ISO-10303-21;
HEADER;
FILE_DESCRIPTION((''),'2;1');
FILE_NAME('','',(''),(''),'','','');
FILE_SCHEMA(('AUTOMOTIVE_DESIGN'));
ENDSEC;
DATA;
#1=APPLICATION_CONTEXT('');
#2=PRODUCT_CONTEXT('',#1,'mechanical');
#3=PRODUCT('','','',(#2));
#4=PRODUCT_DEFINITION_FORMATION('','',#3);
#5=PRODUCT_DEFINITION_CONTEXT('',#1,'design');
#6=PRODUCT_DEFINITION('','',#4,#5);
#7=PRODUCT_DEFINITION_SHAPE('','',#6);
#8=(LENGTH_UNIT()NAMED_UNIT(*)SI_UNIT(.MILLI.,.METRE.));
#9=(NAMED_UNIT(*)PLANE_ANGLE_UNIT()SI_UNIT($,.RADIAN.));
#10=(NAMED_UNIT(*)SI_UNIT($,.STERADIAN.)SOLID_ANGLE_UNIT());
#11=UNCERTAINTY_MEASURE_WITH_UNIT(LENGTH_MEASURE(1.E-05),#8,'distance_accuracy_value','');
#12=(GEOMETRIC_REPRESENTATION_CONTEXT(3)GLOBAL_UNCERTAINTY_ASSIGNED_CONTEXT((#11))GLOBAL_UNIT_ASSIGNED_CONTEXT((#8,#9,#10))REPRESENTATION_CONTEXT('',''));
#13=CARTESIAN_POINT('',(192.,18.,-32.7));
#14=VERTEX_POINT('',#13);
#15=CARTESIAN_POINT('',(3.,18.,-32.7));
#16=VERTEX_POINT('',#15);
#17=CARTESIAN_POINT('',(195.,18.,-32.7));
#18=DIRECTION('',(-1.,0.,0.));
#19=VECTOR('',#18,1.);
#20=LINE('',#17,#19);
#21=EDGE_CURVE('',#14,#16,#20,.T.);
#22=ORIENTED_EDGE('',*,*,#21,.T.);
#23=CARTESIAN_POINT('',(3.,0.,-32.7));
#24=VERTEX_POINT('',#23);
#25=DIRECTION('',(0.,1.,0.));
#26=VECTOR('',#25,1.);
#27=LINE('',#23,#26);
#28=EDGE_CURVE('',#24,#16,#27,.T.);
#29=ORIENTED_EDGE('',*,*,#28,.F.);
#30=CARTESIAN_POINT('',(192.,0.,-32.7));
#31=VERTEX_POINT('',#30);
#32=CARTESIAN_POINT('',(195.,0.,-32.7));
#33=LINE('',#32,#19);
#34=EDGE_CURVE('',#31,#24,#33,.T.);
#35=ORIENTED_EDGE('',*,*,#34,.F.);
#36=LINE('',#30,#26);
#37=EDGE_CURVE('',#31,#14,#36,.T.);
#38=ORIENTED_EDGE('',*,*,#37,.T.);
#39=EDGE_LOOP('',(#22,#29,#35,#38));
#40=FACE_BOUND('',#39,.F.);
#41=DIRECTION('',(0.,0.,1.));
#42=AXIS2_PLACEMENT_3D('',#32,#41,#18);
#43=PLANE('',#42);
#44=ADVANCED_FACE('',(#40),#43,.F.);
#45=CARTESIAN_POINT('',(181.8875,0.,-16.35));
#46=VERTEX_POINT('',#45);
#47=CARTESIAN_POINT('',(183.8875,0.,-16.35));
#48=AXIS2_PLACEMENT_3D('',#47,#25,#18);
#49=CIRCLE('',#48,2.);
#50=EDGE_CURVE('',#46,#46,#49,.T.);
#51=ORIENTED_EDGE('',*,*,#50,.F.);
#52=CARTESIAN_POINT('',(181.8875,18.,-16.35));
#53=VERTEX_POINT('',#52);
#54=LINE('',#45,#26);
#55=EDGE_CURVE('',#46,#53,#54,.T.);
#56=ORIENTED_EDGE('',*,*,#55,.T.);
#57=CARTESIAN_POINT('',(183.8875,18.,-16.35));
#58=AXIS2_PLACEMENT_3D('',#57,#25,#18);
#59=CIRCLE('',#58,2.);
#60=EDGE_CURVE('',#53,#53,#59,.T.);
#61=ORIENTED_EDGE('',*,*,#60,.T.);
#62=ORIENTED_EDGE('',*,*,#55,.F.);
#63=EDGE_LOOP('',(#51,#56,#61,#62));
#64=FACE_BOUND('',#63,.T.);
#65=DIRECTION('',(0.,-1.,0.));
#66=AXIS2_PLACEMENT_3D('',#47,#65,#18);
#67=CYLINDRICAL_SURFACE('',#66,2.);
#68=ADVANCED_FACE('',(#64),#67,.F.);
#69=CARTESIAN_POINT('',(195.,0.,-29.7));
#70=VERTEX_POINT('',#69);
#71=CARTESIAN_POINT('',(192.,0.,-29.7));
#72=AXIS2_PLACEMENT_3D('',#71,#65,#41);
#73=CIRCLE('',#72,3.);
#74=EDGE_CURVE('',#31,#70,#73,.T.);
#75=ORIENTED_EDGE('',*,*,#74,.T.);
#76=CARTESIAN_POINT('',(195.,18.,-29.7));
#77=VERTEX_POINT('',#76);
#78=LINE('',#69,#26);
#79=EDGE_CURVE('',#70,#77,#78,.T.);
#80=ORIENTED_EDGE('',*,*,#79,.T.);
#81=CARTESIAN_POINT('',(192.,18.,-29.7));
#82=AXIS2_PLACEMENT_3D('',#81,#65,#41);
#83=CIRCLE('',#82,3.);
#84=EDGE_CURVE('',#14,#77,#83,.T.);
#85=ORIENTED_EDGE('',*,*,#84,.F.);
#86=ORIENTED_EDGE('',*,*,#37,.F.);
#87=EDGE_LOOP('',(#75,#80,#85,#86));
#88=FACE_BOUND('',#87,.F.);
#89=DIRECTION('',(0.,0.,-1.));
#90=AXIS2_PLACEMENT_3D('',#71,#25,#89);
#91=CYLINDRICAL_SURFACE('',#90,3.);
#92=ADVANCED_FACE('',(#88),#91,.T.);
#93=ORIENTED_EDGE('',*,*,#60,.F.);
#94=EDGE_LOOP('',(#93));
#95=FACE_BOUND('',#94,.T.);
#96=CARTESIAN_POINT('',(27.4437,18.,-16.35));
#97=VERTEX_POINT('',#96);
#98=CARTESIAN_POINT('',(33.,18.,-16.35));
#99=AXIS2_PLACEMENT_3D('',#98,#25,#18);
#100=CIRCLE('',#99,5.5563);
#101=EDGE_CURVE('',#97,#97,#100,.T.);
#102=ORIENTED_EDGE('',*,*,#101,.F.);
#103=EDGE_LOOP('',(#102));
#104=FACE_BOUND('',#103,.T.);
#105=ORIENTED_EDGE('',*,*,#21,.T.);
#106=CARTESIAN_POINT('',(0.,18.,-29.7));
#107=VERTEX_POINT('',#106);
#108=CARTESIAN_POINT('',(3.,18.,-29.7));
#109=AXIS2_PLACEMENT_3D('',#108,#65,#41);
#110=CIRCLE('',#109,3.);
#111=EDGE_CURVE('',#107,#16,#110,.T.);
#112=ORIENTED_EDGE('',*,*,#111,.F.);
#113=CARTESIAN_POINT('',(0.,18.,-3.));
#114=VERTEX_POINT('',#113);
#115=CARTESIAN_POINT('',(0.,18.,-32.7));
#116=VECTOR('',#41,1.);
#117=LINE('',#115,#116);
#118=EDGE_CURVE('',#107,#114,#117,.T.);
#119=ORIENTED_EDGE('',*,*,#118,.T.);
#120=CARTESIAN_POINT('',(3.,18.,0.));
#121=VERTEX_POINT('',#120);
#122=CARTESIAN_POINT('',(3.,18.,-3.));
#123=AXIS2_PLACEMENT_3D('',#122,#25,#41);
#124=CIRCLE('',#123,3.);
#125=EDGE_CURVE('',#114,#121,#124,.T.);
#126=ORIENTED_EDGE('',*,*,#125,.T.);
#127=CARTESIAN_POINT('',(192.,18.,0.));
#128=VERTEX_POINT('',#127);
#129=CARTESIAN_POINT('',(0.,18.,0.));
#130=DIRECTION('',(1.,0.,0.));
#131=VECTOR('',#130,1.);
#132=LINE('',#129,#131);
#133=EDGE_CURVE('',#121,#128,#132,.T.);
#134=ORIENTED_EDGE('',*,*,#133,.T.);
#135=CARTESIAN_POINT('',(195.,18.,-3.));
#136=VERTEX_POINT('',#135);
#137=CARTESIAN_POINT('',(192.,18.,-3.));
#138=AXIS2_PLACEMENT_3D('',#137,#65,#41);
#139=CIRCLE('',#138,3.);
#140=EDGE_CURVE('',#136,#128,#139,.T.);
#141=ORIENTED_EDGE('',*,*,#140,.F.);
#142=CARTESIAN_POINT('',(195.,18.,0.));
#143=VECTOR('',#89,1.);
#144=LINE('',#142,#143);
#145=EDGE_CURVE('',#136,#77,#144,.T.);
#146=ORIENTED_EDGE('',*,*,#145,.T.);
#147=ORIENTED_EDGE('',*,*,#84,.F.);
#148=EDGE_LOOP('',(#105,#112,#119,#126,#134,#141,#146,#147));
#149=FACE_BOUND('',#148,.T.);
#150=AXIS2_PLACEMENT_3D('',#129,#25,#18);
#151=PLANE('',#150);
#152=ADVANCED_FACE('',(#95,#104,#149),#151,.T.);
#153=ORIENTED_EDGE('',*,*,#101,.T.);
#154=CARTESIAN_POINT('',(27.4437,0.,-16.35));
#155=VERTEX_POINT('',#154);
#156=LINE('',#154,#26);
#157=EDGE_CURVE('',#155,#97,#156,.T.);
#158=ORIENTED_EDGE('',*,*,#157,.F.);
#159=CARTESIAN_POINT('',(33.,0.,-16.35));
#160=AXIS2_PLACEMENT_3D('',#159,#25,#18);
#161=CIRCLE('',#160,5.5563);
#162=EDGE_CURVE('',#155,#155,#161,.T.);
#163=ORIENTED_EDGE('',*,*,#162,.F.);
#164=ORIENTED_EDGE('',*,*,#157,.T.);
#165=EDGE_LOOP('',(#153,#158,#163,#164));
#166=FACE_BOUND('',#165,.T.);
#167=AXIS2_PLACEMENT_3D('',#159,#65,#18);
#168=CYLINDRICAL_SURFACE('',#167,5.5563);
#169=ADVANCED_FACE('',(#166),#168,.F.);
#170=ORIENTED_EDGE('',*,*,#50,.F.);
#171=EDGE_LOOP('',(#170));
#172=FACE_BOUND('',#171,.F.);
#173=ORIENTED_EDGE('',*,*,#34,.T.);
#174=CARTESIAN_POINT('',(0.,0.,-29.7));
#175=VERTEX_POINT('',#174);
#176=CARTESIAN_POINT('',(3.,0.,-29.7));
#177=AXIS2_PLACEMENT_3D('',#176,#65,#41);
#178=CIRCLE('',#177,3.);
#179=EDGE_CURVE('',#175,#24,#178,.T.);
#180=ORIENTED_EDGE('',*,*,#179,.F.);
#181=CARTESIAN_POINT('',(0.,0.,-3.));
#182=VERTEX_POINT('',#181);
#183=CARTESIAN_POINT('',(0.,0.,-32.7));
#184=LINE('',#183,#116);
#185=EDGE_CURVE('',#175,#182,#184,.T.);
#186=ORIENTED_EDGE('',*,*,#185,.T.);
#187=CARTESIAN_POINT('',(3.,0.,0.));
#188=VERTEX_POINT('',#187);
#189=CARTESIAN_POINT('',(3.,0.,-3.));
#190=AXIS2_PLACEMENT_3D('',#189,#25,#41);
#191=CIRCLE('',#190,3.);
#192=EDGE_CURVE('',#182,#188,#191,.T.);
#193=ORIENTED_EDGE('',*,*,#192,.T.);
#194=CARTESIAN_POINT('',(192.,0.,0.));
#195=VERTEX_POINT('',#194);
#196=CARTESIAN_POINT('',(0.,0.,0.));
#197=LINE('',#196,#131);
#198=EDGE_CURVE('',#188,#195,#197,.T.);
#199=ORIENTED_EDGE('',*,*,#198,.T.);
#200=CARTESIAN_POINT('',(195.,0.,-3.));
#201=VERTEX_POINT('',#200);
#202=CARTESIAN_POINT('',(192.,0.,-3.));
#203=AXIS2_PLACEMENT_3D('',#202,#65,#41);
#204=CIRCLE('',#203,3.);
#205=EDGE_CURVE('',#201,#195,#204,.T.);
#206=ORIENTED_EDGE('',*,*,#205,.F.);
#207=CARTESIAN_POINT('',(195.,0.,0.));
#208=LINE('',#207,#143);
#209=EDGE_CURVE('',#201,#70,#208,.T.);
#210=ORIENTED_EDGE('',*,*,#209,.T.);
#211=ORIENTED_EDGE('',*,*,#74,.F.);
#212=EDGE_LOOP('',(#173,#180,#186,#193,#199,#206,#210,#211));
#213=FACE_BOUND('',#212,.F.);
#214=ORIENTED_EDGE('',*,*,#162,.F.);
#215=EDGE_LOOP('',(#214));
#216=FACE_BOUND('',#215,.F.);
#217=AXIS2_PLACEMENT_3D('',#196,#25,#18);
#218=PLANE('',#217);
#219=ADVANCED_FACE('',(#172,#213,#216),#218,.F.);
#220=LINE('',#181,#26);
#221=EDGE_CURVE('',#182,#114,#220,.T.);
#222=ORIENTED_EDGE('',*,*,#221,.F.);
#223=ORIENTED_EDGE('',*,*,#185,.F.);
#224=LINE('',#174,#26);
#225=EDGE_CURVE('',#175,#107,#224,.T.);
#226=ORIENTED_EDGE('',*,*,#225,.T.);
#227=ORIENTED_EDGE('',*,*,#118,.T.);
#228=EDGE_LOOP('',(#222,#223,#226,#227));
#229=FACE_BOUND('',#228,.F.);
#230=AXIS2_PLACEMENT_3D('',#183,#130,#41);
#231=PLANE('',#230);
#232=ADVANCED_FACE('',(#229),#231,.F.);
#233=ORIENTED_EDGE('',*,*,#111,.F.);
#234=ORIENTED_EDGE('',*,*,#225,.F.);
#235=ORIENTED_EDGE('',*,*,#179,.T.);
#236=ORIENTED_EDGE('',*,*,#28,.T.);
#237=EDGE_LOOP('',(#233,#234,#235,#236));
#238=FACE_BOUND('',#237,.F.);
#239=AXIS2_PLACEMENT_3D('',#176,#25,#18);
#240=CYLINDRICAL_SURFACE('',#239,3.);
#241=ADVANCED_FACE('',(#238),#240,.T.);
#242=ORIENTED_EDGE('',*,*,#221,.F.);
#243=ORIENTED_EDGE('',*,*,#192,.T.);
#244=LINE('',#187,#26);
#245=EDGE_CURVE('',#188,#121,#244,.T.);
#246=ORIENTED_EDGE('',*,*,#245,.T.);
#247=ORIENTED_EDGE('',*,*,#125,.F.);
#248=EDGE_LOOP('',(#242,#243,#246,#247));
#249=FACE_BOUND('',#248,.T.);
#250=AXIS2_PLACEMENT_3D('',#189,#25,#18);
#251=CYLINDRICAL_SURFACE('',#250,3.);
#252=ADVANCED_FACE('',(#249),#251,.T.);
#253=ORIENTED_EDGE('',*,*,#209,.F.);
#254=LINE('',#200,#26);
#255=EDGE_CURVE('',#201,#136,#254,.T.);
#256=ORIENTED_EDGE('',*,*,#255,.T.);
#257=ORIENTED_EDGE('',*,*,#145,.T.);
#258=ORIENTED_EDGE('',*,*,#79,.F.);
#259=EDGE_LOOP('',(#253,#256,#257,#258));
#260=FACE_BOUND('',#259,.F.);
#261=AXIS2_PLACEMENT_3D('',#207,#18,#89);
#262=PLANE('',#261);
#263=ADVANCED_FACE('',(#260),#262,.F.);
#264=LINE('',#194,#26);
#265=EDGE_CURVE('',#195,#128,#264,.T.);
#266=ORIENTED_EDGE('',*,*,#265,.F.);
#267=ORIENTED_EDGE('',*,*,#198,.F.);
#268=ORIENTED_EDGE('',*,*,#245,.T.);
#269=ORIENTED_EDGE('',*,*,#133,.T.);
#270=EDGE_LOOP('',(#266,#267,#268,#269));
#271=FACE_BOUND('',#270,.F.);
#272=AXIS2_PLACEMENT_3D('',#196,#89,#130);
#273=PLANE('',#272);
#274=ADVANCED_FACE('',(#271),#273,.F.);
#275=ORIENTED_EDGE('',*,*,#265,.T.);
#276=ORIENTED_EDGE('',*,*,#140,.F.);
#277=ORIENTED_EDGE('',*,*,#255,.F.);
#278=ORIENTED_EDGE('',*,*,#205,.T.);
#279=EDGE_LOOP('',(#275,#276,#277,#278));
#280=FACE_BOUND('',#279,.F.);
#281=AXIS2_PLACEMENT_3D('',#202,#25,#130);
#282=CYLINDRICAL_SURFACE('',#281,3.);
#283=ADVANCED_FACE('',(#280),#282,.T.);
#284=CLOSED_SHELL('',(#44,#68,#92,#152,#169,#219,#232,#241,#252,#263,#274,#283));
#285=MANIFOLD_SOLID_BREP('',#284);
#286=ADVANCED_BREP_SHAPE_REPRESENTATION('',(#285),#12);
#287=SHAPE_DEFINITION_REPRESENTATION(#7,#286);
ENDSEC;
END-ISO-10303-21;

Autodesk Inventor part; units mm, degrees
ref_plane "YZ Plane" through (0, 0, 0) normal (1, 0, 0) x (0, 1, 0)
ref_plane "XZ Plane" through (0, 0, 0) normal (0, 1, 0) x (-1, 0, 0)
ref_plane "XY Plane" through (0, 0, 0) normal (0, 0, 1) x (1, 0, 0)
sketch "Sketch1" plane through (0, 0, 0) normal (0, 1, 0) x (-1, 0, 0)
  line L0 (0, 0) -> (-195, 0)
  line L1 (-195, 0) -> (-195, -32.7)
  line L2 (-195, -32.7) -> (0, -32.7)
  line L3 (0, -32.7) -> (0, 0)
  circle A0 centre (-33, -16.35) radius 5.5563
  circle A1 centre (-183.8875, -16.35) radius 2
  point P0 (0, -16.35)
  point P1 (-195, -16.35)
  dimension "d0" = 195
  dimension "ancho" = 32.7
  dimension "separacion_grande" = 33
  dimension "d3" = 11.1125
  dimension "d4" = 11.1125
  dimension "Diametro_eje_pequeño" = 4
extrude "Extrusion1" add sketch "Sketch1" along normal blind 18
fillet "Fillet1" radius 3 4 edges at (0, 9, 0) (195, 9, 0) (195, 9, -32.7) (0, 9, -32.7)
equation "\"d3\" = diametro_interno"
equation "\"d4\" = d3"
equation "\"diametro_interno\" = 11.1125"
properties part number "Transmisor_grande" material "Aluminum 6061"
